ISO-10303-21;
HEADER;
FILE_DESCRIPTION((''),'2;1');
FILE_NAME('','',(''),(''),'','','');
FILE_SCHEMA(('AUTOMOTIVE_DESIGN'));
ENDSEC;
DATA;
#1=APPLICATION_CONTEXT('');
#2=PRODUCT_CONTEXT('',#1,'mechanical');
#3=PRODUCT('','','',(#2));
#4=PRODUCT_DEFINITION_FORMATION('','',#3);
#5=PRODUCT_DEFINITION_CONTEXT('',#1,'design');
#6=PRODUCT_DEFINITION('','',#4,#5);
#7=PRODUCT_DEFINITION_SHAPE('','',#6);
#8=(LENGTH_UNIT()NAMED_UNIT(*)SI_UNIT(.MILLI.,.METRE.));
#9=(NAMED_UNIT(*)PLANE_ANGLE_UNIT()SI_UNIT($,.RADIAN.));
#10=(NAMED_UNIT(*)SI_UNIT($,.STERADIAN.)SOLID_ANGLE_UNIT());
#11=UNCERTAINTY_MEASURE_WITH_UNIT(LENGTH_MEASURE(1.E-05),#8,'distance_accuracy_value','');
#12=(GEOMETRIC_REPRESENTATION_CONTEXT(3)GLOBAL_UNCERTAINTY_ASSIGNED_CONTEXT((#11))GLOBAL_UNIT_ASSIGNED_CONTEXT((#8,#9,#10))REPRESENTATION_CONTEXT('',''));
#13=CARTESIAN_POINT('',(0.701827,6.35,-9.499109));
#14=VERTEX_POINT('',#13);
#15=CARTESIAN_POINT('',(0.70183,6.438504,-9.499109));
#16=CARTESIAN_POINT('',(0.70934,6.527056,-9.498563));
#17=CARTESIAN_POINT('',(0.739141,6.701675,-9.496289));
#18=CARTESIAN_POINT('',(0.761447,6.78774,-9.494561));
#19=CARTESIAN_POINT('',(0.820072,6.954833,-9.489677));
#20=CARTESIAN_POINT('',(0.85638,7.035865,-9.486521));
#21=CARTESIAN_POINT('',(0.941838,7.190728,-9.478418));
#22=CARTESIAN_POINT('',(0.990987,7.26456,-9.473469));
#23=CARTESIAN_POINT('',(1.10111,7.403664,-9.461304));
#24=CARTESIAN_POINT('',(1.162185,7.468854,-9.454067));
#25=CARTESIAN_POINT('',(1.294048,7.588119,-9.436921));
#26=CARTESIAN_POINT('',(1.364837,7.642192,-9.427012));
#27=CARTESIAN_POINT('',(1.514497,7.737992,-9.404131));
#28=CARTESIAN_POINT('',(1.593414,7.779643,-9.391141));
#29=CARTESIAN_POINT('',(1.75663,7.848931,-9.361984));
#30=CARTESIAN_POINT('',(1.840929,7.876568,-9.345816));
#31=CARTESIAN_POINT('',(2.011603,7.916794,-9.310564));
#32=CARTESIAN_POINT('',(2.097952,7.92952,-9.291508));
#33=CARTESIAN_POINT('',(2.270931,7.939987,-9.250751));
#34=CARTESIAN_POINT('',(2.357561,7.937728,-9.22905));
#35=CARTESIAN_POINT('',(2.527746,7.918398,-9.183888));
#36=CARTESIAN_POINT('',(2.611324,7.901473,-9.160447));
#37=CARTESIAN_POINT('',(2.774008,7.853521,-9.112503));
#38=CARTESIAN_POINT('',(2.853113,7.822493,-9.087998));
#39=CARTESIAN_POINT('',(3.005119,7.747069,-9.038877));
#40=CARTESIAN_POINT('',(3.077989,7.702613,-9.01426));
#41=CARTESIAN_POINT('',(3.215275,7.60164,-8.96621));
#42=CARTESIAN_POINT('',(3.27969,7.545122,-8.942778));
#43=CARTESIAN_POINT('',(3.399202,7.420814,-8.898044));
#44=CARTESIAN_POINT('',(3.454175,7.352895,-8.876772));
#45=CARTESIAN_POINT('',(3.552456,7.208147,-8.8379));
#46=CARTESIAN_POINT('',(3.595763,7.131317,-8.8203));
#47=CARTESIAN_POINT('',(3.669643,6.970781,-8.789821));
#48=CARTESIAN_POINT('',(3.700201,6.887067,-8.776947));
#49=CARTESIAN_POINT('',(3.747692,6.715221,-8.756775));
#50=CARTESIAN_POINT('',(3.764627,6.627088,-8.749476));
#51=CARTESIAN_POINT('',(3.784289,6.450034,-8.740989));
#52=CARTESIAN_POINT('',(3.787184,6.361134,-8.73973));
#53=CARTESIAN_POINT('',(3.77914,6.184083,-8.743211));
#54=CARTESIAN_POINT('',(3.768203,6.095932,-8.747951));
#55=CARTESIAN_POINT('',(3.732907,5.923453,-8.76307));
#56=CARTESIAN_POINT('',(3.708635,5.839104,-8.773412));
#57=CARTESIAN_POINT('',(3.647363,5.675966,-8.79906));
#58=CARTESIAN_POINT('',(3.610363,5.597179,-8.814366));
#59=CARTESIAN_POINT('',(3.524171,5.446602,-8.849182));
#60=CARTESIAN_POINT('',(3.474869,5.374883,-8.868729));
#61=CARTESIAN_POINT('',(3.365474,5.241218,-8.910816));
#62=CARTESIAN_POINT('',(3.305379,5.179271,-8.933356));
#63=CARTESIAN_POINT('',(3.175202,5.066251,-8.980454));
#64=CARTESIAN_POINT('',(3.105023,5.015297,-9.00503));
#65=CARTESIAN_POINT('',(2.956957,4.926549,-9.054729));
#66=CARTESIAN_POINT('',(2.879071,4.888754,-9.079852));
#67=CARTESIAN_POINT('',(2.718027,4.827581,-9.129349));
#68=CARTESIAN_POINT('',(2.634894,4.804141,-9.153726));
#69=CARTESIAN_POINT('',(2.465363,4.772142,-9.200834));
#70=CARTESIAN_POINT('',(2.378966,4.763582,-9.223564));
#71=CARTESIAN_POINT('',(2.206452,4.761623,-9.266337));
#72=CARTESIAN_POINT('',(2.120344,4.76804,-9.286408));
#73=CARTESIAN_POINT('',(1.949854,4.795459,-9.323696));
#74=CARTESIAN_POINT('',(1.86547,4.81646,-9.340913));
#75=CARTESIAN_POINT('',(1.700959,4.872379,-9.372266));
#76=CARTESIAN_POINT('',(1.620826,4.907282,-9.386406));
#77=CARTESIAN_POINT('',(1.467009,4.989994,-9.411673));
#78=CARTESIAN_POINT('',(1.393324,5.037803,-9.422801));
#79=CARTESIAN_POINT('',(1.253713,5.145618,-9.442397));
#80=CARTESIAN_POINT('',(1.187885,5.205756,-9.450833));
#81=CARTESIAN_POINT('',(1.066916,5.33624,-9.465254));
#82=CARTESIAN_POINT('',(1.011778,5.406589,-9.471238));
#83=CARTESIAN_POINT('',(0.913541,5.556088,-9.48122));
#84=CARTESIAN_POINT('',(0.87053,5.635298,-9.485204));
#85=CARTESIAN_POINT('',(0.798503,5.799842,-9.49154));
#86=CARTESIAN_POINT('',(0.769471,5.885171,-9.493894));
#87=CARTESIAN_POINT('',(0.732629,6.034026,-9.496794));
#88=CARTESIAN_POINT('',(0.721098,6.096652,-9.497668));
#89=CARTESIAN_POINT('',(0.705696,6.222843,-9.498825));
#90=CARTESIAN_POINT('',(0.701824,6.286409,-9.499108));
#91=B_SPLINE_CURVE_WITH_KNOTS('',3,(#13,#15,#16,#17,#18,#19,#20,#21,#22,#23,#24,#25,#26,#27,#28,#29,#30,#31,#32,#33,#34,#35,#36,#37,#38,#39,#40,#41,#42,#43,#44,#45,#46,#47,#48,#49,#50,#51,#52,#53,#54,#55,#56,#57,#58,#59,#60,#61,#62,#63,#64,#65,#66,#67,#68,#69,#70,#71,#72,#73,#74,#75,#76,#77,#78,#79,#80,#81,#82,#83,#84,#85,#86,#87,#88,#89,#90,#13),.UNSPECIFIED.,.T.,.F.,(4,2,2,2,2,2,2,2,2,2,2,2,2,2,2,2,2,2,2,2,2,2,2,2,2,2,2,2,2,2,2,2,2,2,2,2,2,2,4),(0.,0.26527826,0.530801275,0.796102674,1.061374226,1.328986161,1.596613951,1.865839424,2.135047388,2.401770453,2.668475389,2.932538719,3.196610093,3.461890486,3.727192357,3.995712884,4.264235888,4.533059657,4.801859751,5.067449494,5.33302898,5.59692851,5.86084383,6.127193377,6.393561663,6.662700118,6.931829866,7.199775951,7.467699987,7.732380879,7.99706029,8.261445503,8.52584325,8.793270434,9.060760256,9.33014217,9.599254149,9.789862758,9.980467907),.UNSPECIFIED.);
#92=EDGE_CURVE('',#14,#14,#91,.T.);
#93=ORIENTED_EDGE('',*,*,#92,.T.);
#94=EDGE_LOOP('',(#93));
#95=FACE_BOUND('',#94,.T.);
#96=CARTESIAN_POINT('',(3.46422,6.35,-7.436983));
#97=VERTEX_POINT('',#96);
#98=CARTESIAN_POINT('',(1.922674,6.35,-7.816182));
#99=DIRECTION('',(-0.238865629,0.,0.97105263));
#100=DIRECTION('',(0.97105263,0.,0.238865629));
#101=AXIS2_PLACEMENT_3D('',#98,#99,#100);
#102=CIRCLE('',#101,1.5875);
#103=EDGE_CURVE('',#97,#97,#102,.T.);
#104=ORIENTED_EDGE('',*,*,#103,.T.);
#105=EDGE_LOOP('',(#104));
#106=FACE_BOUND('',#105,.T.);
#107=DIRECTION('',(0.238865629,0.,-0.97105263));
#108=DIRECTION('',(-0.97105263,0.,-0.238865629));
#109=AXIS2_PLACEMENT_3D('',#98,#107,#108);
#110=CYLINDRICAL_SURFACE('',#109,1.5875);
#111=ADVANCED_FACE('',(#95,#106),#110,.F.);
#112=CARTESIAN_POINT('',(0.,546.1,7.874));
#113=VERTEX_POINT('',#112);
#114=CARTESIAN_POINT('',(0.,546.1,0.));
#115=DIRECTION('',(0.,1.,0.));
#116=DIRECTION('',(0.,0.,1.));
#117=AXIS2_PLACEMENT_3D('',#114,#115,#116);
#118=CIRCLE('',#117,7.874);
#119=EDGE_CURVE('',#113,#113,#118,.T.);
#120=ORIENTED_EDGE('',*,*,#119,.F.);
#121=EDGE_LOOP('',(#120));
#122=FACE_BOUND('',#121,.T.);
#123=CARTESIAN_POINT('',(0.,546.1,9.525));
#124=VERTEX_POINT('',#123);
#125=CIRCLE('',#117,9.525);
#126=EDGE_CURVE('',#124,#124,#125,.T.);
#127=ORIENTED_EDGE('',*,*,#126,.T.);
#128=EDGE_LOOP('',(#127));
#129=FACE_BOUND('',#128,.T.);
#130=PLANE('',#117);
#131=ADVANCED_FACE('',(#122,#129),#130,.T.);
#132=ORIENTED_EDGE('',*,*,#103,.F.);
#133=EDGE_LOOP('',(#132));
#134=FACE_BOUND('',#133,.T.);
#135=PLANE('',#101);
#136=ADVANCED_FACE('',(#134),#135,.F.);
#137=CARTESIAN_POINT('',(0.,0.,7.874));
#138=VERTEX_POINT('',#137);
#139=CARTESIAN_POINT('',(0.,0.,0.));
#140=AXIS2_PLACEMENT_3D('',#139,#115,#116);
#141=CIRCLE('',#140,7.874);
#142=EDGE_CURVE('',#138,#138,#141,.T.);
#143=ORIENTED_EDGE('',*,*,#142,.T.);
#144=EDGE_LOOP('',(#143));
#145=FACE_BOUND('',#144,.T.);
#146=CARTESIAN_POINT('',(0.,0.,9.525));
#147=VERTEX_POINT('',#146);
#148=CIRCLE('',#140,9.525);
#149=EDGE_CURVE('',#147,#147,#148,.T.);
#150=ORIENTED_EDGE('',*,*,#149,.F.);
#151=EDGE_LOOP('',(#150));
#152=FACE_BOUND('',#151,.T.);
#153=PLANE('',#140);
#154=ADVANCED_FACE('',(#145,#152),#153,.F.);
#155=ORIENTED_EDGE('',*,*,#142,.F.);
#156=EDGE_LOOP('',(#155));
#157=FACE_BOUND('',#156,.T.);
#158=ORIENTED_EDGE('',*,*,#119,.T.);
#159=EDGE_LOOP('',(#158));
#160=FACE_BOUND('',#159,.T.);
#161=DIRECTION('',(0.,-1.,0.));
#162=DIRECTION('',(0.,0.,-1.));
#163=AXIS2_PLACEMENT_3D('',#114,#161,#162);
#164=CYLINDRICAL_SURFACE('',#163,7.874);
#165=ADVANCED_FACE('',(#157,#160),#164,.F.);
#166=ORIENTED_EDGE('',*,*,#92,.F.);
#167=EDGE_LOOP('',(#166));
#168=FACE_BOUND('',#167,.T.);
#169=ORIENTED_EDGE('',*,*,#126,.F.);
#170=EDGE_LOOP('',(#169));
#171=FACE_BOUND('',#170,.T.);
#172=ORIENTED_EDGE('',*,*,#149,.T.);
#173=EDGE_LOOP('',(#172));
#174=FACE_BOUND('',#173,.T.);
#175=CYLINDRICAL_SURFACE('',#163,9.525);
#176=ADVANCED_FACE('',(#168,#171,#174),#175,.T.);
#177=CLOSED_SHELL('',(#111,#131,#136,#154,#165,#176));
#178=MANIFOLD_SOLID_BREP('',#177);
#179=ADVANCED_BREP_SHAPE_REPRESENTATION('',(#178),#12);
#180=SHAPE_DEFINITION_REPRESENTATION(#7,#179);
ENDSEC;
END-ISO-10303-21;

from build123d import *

# Parameters (mm, degrees)
SKETCH1_R           = 9.525
SKETCH1_R_2         = 7.874
BOSS_EXTRUDE1_DEPTH = 546.1
SKETCH2_R           = 1.5875
CUT_EXTRUDE1_DEPTH  = 279.527


with BuildPart() as part:
    # Sketch1 → Boss-Extrude1 (new body)
    with BuildSketch(Plane(origin=(0, 0, 0), x_dir=(1, 0, 0), z_dir=(0, 1, 0))):
        Circle(SKETCH1_R)
        Circle(SKETCH1_R_2, mode=Mode.SUBTRACT)
    extrude(amount=BOSS_EXTRUDE1_DEPTH)

    # Sketch2 → Cut-Extrude1 (cut)
    with BuildSketch(Plane(origin=(603.369857171, -776.603382372, -147.728206949), x_dir=(0.97105263, 0, 0.238865629), z_dir=(-0.238865629, 0, 0.97105263))):
        with Locations((-550.61669584, 782.953382372)):
            Circle(SKETCH2_R)
    extrude(amount=CUT_EXTRUDE1_DEPTH, mode=Mode.SUBTRACT)


solid = part.part
